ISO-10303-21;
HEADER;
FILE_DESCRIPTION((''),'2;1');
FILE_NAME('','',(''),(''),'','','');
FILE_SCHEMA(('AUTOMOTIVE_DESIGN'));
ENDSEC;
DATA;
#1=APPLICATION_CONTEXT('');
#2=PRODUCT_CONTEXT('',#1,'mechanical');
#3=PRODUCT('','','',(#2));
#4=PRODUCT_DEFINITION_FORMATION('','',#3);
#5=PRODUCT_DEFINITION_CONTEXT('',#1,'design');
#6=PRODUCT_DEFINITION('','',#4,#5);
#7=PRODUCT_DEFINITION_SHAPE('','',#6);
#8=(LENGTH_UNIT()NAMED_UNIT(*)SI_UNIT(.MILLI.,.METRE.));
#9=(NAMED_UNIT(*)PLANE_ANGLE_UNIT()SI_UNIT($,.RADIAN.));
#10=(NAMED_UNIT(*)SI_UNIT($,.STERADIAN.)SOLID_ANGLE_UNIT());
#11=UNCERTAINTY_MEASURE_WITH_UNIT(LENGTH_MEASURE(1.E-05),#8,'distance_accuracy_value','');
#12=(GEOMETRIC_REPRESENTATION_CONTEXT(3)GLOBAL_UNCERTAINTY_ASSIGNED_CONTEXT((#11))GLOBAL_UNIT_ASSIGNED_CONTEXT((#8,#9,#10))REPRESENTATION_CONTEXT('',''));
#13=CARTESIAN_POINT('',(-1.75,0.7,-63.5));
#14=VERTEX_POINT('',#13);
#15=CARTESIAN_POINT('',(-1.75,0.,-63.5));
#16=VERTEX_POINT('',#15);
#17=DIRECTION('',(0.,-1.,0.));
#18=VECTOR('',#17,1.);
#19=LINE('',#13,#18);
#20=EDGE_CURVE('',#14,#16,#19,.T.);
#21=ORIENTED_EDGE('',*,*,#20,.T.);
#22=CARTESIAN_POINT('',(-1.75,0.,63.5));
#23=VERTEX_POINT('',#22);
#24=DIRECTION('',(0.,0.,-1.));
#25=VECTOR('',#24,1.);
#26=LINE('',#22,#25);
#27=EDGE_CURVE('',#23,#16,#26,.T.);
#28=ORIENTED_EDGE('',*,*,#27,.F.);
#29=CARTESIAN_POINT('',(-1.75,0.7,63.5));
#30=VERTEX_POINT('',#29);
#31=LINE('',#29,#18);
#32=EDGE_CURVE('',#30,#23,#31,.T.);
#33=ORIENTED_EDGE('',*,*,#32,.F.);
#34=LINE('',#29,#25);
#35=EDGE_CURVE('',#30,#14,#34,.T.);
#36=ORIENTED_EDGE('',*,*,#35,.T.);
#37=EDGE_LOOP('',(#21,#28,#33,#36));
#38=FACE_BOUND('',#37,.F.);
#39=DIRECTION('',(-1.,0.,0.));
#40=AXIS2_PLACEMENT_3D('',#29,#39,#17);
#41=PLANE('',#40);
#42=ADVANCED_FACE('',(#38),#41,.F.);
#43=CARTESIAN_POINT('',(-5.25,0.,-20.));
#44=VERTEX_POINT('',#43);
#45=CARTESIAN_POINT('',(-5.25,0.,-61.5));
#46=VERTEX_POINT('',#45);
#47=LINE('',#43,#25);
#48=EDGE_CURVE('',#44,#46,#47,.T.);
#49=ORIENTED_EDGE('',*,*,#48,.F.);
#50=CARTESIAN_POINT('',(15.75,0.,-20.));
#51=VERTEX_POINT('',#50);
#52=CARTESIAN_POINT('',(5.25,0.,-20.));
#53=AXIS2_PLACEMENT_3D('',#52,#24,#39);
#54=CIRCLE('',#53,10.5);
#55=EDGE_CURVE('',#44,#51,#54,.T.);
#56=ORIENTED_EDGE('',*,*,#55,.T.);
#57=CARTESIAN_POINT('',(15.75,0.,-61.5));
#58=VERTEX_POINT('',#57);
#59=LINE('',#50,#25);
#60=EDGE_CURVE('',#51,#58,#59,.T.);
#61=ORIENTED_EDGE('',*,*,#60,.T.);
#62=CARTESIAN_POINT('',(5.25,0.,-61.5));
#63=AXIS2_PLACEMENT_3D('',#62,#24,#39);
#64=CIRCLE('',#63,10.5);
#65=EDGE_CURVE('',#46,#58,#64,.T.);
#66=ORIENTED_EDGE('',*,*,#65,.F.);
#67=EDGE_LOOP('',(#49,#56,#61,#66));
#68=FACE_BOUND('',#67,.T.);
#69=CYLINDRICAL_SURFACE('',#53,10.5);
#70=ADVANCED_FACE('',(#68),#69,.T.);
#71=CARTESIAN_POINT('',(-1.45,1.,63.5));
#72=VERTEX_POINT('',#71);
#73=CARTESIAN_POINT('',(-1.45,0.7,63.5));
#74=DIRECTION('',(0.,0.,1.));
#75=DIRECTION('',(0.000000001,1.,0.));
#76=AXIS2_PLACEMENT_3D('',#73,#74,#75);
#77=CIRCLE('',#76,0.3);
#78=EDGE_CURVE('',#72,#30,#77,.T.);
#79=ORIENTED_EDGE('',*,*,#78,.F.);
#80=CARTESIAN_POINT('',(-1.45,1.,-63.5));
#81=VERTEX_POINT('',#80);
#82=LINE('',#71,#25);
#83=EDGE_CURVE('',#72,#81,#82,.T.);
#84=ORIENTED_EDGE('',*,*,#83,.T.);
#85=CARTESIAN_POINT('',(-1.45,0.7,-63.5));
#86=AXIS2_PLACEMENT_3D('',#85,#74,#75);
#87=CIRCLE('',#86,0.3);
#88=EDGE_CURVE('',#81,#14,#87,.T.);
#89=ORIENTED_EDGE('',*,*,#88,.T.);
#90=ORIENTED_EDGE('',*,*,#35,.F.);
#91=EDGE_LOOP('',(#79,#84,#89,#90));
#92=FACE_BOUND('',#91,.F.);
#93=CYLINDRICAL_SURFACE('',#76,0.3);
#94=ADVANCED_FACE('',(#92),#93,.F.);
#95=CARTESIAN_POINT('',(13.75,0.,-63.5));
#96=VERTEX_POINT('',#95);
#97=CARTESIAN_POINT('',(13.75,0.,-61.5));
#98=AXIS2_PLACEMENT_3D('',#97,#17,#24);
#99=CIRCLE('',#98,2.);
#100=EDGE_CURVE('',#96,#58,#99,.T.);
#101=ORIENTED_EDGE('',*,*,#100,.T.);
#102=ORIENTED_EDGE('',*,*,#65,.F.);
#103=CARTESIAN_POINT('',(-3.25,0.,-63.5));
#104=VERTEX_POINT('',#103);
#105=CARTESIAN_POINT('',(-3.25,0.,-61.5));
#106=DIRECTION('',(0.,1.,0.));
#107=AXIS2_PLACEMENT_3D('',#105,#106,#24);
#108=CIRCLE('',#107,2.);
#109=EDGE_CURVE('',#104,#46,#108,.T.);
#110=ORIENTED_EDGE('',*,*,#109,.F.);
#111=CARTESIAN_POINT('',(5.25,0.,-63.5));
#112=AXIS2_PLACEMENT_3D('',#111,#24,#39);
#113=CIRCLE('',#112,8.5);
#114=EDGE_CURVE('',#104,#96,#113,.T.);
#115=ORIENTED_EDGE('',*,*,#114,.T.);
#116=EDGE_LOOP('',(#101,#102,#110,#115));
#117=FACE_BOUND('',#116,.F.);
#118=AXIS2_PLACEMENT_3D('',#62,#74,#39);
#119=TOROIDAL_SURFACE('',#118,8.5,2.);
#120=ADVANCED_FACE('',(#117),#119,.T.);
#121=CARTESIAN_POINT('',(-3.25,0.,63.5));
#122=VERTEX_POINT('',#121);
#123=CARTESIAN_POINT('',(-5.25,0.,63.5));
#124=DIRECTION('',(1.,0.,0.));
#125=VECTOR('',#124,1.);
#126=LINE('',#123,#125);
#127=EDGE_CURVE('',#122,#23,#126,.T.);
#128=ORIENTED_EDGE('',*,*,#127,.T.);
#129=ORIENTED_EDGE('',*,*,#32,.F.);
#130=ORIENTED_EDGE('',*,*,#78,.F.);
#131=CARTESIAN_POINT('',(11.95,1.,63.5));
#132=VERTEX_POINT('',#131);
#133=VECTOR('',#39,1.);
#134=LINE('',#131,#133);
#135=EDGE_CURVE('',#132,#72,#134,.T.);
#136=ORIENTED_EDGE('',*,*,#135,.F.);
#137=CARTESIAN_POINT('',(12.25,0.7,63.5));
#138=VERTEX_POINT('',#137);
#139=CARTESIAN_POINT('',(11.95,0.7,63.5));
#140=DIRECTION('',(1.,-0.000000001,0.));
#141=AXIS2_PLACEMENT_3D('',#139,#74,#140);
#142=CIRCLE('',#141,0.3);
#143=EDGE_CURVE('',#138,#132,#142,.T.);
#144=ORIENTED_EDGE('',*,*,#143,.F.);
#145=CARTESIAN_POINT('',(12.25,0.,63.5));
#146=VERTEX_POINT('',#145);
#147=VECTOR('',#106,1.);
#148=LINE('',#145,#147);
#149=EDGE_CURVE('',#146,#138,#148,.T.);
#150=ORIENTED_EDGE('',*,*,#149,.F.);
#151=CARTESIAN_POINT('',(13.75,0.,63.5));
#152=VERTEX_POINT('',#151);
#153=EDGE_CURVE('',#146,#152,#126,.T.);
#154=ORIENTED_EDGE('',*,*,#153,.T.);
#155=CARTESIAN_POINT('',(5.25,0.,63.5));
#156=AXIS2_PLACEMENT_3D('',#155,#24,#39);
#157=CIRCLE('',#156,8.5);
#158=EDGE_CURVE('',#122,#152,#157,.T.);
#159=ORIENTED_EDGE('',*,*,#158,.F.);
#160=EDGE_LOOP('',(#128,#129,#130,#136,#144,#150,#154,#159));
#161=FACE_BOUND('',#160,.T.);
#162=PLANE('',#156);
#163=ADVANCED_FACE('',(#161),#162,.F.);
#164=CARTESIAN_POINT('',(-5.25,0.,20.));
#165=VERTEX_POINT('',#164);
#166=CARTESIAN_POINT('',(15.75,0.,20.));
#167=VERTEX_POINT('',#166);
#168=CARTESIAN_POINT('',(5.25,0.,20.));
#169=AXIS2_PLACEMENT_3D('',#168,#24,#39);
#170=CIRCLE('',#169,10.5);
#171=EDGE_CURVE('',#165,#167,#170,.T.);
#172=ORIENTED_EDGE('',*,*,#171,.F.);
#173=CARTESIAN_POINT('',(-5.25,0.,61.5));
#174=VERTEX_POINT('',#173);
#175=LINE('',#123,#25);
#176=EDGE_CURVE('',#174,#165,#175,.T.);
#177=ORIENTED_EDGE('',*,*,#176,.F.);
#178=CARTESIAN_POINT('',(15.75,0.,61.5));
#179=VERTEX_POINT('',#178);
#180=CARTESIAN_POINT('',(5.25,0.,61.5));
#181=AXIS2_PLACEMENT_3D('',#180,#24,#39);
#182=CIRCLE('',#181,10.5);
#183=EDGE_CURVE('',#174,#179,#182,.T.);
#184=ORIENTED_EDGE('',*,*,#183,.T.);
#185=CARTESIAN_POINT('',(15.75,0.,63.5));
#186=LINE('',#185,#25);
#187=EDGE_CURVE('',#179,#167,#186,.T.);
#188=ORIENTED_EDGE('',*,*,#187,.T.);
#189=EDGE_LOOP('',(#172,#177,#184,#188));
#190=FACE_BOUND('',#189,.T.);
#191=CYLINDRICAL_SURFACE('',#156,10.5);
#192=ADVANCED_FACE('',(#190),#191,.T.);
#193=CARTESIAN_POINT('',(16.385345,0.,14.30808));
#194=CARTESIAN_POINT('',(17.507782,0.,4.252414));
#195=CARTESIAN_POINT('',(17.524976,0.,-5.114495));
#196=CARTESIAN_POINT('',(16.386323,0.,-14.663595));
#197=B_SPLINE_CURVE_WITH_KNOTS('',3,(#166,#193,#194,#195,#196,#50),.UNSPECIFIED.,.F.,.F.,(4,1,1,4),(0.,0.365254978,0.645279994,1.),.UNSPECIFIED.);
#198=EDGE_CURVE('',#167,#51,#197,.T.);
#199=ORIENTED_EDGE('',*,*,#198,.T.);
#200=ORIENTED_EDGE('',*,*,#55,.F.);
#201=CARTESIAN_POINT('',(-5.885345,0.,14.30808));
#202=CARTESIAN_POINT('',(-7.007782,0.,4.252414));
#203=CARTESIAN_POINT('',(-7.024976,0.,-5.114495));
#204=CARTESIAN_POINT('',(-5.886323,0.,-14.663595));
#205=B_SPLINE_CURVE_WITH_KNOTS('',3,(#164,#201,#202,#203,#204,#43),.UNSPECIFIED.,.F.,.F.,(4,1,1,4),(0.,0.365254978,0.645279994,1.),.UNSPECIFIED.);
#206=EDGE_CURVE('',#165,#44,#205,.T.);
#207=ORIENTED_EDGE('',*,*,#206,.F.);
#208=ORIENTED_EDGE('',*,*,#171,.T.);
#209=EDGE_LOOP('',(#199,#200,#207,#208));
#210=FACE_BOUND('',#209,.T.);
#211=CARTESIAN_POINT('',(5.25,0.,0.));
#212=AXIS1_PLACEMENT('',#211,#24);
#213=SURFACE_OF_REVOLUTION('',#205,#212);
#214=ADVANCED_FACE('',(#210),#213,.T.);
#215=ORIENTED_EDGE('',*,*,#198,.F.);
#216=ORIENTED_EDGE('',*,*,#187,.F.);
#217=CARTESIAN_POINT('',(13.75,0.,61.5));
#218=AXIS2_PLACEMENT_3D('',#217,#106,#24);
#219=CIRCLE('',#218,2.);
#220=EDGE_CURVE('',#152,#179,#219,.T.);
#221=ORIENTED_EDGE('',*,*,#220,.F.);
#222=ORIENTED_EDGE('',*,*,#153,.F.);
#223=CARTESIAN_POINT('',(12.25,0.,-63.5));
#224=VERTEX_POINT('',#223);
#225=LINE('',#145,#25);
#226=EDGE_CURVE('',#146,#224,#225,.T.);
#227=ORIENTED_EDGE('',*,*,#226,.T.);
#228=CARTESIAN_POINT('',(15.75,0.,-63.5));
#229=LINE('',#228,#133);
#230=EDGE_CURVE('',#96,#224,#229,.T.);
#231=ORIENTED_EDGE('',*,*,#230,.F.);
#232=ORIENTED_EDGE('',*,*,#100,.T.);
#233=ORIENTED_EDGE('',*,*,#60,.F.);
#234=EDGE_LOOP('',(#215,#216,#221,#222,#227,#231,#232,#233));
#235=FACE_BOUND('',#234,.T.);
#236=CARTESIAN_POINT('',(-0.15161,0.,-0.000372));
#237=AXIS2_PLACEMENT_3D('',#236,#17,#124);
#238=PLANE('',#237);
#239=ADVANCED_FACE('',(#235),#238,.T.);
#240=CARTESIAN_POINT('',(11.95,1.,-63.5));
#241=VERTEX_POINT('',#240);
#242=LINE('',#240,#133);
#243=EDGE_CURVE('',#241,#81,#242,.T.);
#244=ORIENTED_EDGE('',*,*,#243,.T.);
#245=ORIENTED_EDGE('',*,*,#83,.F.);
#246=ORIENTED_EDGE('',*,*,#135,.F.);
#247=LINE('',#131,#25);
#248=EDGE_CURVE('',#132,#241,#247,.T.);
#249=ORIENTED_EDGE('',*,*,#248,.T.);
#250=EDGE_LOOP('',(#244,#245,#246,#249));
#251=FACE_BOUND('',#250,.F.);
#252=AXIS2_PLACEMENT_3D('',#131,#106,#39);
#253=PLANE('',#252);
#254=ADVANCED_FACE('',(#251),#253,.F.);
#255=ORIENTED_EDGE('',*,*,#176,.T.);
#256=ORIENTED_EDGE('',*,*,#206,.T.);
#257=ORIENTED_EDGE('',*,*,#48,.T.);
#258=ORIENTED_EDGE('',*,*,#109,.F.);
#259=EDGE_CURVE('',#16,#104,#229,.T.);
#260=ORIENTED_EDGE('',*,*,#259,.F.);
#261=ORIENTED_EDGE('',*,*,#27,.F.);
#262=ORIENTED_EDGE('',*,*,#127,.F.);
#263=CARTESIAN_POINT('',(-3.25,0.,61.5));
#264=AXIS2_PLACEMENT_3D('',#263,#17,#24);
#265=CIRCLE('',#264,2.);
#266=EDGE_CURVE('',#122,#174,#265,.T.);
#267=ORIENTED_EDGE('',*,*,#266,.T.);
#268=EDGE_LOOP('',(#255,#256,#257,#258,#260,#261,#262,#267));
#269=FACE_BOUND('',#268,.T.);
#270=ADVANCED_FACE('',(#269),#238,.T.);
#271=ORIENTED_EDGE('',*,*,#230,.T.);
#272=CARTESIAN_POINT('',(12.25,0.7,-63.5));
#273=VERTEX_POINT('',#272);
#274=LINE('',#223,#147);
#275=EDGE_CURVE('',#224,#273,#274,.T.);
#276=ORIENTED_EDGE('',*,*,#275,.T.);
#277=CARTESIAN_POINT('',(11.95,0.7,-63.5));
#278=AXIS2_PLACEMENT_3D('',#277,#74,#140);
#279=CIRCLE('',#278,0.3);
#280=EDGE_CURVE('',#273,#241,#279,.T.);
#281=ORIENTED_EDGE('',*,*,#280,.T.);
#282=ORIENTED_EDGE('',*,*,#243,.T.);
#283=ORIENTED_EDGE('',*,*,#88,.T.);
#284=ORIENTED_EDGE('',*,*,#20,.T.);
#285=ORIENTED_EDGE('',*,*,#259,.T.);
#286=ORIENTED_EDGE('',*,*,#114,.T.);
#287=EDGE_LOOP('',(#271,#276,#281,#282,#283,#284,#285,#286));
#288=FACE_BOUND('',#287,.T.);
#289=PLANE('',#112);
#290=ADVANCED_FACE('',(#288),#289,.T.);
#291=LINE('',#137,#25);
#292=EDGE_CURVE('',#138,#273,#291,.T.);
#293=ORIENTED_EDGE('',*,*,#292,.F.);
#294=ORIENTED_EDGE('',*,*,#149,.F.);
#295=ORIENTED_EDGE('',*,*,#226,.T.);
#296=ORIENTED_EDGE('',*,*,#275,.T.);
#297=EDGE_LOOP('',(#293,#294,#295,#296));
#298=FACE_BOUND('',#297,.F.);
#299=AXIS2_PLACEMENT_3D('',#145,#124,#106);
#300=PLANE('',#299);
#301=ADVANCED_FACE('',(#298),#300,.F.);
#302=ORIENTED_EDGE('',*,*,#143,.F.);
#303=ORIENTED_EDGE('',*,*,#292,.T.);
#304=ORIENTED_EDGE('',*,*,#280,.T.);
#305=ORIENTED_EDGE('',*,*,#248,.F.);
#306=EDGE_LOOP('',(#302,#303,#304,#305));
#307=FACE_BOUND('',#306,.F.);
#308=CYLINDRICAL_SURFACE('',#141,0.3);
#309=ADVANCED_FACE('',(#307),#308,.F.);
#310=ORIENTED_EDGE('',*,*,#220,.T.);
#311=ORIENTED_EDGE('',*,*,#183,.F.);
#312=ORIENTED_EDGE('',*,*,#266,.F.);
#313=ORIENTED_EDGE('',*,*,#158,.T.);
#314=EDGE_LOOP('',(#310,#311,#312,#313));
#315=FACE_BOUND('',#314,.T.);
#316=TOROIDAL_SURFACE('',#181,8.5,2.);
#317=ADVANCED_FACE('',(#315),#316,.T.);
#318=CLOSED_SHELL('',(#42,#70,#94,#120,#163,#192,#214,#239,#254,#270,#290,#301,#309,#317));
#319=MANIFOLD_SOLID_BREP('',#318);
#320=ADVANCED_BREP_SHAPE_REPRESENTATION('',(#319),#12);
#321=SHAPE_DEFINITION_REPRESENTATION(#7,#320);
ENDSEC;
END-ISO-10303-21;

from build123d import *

# Parameters (mm, degrees)
F1_ANGLE = 180
F3_DEPTH = 127
F4_R     = 2
F5_R     = 2


with BuildPart() as f1:
    # F0 (on Front) → F1 (revolve)
    with BuildSketch(Plane.XZ):
        with BuildLine():
            Line((5.25, 63.5), (-5.25, 63.5))
            Line((-5.25, 63.5), (-5.25, 20))
            add(Edge.make_bspline(
                [(-5.25, 20), (-5.8853452496, 14.3080799964), (-7.0077819126, 4.2524138852), (-7.0249760105, -5.1144951824), (-5.8863231474, -14.6635947641), (-5.25, -20)],
                knots=[0, 0, 0, 0, 0.3652549784, 0.6452799944, 1, 1, 1, 1], degree=3))
            Line((-5.25, -20), (-5.25, -63.5))
            Line((-5.25, -63.5), (5.25, -63.5))
            Line((5.25, -63.5), (5.25, 63.5))
        make_face()
    revolve(axis=Axis((5.25, 0, 0), (0, 0, -1)), revolution_arc=F1_ANGLE)

    # F2 (on face) → F3 (cut)
    with BuildSketch(Plane.XY.offset(63.5)):
        with BuildLine():
            Line((-1.75, 0), (5.25, 0))
            Line((5.25, 0), (12.25, 0))
            Line((12.25, 0), (12.25, 0.7))
            ThreePointArc((12.25, 0.7), (12.1621320344, 0.9121320344), (11.95, 1))
            Line((11.95, 1), (-1.45, 1))
            ThreePointArc((-1.45, 1), (-1.6621320344, 0.9121320344), (-1.75, 0.7))
            Line((-1.75, 0.7), (-1.75, 0))
        make_face()
    extrude(amount=-F3_DEPTH, mode=Mode.SUBTRACT)

    # F4
    f4_edges = [f1.edges().sort_by_distance(p)[0] for p in [
        (5.25, 10.5, 63.5),
    ]]
    fillet(f4_edges, radius=F4_R)

    # F5
    f5_edges = [f1.edges().sort_by_distance(p)[0] for p in [
        (5.25, 10.5, -63.5),
    ]]
    fillet(f5_edges, radius=F5_R)


solid = f1.part
